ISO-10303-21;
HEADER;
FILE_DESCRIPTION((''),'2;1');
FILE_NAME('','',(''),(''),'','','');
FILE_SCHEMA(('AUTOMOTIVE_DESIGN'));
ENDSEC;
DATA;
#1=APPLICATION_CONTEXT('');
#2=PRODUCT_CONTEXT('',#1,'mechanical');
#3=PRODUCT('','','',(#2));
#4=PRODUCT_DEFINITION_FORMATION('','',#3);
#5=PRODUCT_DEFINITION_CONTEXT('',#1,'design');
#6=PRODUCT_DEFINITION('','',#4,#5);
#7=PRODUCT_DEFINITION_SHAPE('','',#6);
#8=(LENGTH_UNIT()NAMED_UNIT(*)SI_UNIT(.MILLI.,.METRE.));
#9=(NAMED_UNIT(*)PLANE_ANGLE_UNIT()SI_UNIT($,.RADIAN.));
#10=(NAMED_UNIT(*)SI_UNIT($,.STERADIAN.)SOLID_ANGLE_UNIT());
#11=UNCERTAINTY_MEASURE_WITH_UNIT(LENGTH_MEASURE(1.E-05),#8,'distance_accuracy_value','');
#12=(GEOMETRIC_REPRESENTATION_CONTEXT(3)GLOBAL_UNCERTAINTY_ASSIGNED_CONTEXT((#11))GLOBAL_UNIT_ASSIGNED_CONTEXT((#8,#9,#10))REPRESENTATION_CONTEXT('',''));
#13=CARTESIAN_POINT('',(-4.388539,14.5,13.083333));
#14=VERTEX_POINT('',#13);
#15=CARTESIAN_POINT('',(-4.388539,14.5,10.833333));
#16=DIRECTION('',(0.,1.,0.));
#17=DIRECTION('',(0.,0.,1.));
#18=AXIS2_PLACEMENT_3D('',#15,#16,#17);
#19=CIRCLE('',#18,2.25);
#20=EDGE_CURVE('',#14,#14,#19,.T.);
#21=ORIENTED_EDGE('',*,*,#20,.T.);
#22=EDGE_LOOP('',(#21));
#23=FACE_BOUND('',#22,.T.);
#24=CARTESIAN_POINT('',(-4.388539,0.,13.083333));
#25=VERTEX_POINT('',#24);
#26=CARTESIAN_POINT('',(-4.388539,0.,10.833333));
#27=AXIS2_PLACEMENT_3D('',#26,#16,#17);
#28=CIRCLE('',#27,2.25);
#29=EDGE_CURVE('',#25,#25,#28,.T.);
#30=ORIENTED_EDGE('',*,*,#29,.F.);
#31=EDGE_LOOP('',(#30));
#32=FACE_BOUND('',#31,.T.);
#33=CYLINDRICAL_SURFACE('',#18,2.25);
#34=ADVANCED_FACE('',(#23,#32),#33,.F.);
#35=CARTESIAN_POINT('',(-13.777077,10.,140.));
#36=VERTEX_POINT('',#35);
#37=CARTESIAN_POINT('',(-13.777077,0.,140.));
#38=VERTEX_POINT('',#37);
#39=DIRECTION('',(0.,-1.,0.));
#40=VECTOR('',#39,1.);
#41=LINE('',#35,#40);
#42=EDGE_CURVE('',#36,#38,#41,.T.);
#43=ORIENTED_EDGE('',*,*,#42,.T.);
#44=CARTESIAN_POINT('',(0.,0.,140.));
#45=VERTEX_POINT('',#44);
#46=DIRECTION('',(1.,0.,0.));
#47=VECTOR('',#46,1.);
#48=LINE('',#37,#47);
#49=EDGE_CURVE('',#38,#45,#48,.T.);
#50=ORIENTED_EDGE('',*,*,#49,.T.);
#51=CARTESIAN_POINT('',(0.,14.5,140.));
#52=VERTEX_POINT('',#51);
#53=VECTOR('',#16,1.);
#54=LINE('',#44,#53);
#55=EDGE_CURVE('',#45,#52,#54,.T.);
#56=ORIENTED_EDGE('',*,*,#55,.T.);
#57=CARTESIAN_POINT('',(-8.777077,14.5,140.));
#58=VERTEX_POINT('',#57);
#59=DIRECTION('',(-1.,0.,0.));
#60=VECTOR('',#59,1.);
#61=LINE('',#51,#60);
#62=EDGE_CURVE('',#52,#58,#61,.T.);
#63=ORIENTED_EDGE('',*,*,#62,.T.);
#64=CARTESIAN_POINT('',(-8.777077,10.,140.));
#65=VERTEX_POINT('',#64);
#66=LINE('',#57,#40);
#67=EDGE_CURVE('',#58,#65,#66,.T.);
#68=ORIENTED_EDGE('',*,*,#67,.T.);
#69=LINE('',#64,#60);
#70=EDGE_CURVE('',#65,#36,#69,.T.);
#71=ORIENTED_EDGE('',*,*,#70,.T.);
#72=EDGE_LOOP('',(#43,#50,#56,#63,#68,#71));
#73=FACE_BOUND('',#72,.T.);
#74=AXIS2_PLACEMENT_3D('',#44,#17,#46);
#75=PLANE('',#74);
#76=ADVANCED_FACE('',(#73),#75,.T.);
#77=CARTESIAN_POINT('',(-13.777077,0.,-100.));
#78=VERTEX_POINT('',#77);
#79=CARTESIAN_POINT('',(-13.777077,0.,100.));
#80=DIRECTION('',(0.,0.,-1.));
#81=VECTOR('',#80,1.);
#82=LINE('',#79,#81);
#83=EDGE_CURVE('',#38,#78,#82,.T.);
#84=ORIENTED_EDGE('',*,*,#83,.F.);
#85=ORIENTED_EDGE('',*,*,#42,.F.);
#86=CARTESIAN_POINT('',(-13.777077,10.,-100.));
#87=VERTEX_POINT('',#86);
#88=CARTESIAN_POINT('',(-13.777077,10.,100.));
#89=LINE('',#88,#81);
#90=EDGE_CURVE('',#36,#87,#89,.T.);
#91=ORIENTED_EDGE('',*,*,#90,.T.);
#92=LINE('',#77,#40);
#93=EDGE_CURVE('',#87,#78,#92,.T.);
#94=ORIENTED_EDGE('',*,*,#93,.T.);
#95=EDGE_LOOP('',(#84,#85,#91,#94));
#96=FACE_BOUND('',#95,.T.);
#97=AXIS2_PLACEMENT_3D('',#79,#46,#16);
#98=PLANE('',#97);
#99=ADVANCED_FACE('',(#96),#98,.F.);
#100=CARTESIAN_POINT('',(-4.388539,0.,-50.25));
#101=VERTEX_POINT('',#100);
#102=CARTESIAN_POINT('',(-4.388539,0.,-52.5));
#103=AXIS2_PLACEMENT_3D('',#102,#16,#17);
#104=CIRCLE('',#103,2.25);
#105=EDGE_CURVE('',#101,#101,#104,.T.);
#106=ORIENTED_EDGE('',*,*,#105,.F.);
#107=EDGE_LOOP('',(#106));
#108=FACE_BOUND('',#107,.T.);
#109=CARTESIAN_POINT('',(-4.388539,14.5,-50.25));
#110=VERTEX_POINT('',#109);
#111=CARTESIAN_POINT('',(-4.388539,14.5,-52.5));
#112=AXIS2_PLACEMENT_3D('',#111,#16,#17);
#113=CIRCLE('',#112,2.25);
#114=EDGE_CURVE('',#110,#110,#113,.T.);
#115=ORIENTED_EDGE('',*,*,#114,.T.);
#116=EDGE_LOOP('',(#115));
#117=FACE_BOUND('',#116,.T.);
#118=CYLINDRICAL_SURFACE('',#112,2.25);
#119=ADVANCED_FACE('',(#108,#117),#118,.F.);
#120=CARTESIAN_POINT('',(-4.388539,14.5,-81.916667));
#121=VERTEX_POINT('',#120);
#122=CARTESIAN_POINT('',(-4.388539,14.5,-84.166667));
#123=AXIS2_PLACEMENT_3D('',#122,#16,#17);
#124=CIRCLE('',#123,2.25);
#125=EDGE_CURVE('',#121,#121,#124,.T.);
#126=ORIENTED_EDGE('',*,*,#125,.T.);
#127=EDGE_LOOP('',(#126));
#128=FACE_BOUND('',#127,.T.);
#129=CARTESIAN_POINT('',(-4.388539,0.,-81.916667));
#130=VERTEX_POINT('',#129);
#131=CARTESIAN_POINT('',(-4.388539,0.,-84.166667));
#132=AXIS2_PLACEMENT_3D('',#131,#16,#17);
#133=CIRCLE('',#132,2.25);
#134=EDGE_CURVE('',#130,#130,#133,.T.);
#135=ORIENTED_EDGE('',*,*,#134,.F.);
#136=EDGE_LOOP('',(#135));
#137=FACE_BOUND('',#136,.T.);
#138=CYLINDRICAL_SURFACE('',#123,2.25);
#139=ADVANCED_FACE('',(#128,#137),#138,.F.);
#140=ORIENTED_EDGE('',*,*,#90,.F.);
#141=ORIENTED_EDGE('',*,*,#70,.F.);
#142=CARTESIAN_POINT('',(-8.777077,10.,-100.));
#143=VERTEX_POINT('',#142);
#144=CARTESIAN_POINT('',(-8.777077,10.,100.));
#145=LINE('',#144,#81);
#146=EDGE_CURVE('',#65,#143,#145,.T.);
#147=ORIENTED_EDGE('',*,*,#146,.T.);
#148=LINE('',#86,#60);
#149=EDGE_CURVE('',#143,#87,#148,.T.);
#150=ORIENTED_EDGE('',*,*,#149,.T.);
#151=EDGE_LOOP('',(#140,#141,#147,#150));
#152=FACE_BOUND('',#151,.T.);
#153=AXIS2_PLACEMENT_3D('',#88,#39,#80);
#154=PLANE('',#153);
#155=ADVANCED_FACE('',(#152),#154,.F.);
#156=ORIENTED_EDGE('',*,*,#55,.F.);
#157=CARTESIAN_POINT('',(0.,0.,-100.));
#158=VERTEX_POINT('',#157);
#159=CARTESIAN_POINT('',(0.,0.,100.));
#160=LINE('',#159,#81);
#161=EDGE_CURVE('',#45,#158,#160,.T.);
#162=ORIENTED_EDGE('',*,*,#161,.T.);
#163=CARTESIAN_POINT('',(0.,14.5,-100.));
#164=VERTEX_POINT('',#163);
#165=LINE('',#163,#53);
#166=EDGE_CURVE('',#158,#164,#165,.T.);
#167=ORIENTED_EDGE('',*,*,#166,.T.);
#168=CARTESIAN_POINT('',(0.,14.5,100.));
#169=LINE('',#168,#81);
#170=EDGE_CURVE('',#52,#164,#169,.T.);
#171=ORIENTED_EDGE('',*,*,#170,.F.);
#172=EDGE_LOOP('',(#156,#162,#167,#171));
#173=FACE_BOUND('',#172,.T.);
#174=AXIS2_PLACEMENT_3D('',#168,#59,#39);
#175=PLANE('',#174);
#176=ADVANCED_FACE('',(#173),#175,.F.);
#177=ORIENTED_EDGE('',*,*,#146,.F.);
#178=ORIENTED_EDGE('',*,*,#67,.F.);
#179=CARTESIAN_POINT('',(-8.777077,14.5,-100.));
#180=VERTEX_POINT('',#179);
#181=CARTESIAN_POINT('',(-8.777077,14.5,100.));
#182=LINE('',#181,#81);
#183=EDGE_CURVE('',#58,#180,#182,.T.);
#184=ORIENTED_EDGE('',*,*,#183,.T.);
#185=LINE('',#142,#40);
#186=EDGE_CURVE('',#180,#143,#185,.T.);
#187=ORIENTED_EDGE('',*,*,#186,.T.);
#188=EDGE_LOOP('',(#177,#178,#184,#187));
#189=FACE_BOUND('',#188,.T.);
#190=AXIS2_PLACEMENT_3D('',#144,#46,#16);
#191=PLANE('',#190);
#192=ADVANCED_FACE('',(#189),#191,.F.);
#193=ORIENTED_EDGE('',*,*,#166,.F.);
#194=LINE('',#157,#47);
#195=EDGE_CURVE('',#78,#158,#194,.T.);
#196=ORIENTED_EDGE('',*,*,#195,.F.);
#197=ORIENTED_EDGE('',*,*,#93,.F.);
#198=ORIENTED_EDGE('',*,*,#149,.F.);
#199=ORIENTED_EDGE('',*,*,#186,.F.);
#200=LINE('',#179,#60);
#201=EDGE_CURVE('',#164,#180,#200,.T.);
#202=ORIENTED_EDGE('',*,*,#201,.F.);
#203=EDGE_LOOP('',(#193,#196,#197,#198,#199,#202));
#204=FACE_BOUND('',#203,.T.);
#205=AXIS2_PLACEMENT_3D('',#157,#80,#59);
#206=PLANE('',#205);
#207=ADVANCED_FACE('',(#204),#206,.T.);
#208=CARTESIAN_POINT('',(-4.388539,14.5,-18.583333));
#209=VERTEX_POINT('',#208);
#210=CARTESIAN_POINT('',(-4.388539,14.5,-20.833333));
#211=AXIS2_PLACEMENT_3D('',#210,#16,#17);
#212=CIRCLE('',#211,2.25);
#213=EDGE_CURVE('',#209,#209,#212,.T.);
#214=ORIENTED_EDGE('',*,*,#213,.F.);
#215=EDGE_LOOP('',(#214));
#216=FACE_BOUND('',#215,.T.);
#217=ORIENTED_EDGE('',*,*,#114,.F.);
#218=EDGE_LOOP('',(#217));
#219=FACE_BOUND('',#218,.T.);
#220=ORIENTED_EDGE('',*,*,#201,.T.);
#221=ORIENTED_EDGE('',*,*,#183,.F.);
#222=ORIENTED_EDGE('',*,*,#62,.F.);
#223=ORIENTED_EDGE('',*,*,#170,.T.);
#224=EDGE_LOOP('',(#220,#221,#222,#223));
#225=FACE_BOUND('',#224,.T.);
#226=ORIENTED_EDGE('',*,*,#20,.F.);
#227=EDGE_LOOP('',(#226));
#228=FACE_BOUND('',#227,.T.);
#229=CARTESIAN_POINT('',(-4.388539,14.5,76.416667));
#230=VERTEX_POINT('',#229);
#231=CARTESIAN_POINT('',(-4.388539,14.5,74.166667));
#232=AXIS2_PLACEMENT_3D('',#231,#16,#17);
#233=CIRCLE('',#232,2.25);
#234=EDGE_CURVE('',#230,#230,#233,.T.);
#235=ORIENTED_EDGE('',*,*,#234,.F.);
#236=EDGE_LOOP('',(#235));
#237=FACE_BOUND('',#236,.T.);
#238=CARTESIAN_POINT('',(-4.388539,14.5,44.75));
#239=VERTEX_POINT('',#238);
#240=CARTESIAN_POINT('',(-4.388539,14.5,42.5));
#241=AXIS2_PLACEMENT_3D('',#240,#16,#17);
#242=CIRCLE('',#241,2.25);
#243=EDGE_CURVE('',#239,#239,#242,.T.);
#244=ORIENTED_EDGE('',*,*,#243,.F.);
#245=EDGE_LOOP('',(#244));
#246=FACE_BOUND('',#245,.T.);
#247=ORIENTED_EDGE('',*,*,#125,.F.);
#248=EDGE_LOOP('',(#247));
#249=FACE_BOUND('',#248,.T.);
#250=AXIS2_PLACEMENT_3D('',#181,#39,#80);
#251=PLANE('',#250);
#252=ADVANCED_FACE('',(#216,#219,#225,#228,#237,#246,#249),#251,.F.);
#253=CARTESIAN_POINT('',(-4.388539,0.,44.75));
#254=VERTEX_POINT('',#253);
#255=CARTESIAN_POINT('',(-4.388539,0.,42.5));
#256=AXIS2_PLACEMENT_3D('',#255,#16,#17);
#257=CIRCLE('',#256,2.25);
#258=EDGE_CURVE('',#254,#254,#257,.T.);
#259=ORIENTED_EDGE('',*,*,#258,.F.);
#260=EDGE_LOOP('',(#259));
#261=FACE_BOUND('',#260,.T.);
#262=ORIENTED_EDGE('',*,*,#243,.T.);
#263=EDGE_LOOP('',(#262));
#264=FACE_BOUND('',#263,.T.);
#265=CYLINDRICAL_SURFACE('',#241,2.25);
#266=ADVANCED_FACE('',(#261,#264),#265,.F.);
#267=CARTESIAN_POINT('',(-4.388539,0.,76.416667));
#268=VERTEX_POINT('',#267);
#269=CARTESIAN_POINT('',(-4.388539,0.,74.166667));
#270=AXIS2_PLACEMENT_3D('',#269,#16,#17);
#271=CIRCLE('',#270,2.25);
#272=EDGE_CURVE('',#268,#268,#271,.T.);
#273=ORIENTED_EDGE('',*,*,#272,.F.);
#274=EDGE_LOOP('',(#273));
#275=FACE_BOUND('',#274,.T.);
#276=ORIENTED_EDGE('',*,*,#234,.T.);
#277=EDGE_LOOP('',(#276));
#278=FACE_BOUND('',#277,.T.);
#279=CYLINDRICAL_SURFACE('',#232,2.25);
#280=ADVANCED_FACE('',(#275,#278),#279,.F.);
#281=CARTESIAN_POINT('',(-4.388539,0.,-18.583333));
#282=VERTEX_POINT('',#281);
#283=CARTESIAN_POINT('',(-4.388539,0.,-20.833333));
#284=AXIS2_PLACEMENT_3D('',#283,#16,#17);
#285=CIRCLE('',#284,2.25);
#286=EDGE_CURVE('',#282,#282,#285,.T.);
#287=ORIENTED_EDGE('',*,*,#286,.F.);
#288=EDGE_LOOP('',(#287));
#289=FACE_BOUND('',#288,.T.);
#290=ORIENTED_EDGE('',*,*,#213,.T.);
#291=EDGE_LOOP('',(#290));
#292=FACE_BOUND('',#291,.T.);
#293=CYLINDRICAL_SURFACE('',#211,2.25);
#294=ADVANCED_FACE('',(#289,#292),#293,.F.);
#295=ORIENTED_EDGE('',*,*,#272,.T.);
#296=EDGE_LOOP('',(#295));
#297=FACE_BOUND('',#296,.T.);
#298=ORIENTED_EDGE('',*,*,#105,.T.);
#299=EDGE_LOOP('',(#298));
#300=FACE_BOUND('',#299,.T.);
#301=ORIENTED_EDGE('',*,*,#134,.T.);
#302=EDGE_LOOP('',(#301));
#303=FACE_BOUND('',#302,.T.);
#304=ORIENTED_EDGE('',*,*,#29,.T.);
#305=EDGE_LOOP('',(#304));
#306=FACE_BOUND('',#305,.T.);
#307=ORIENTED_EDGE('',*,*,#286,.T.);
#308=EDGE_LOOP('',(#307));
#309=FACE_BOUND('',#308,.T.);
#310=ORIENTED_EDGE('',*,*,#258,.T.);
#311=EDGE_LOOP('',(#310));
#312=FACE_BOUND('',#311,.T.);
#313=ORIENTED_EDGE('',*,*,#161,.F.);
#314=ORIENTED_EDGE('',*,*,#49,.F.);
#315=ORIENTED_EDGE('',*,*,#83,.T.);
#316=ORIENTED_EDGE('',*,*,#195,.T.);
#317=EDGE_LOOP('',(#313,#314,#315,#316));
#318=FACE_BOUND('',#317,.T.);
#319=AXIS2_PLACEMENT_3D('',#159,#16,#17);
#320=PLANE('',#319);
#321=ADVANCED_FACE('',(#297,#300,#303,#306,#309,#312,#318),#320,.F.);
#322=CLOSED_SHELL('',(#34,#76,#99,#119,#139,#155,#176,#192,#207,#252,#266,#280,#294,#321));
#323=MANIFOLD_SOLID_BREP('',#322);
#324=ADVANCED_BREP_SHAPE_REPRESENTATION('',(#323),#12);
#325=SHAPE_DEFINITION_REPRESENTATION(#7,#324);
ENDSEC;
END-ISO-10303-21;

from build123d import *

# Parameters (mm, degrees)
BOSS_EXTRU_1_DEPTH              = 100
DIAM_TRE_DU_PER_AGE_4_5_4_5_1_D = 4.5
BOSS_EXTRU_2_DEPTH              = 40


with BuildPart() as part:
    # Esquisse1 → Boss.-Extru.1 (new, symmetric)
    with BuildSketch(Plane.XY):
        Polygon((-13.777077185, 10), (-8.777077185, 10), (-8.777077185, 14.5), (0, 14.5), (0, 0), (-13.777077185, 0), align=None)
    extrude(amount=BOSS_EXTRU_1_DEPTH, both=True)

    # Diamètre du perçage Ø4.5 (4.5)1 (through all)
    with Locations(Plane(origin=(0, 14.5, 0), x_dir=(1, 0, 0), z_dir=(0, 1, 0))):
        with Locations((-4.388538592, -74.166666667), (-4.388538592, 84.166666667), (-4.388538592, 52.5), (-4.388538592, 20.833333333), (-4.388538592, -10.833333333), (-4.388538592, -42.5)):
            Hole(DIAM_TRE_DU_PER_AGE_4_5_4_5_1_D / 2)

    # Esquisse4 → Boss.-Extru.2 (add)
    with BuildSketch(Plane.XY.offset(100)):
        Polygon((-13.777077185, 10), (-13.777077185, 0), (0, 0), (0, 14.5), (-8.777077185, 14.5), (-8.777077185, 10), align=None)
    extrude(amount=BOSS_EXTRU_2_DEPTH)


solid = part.part
